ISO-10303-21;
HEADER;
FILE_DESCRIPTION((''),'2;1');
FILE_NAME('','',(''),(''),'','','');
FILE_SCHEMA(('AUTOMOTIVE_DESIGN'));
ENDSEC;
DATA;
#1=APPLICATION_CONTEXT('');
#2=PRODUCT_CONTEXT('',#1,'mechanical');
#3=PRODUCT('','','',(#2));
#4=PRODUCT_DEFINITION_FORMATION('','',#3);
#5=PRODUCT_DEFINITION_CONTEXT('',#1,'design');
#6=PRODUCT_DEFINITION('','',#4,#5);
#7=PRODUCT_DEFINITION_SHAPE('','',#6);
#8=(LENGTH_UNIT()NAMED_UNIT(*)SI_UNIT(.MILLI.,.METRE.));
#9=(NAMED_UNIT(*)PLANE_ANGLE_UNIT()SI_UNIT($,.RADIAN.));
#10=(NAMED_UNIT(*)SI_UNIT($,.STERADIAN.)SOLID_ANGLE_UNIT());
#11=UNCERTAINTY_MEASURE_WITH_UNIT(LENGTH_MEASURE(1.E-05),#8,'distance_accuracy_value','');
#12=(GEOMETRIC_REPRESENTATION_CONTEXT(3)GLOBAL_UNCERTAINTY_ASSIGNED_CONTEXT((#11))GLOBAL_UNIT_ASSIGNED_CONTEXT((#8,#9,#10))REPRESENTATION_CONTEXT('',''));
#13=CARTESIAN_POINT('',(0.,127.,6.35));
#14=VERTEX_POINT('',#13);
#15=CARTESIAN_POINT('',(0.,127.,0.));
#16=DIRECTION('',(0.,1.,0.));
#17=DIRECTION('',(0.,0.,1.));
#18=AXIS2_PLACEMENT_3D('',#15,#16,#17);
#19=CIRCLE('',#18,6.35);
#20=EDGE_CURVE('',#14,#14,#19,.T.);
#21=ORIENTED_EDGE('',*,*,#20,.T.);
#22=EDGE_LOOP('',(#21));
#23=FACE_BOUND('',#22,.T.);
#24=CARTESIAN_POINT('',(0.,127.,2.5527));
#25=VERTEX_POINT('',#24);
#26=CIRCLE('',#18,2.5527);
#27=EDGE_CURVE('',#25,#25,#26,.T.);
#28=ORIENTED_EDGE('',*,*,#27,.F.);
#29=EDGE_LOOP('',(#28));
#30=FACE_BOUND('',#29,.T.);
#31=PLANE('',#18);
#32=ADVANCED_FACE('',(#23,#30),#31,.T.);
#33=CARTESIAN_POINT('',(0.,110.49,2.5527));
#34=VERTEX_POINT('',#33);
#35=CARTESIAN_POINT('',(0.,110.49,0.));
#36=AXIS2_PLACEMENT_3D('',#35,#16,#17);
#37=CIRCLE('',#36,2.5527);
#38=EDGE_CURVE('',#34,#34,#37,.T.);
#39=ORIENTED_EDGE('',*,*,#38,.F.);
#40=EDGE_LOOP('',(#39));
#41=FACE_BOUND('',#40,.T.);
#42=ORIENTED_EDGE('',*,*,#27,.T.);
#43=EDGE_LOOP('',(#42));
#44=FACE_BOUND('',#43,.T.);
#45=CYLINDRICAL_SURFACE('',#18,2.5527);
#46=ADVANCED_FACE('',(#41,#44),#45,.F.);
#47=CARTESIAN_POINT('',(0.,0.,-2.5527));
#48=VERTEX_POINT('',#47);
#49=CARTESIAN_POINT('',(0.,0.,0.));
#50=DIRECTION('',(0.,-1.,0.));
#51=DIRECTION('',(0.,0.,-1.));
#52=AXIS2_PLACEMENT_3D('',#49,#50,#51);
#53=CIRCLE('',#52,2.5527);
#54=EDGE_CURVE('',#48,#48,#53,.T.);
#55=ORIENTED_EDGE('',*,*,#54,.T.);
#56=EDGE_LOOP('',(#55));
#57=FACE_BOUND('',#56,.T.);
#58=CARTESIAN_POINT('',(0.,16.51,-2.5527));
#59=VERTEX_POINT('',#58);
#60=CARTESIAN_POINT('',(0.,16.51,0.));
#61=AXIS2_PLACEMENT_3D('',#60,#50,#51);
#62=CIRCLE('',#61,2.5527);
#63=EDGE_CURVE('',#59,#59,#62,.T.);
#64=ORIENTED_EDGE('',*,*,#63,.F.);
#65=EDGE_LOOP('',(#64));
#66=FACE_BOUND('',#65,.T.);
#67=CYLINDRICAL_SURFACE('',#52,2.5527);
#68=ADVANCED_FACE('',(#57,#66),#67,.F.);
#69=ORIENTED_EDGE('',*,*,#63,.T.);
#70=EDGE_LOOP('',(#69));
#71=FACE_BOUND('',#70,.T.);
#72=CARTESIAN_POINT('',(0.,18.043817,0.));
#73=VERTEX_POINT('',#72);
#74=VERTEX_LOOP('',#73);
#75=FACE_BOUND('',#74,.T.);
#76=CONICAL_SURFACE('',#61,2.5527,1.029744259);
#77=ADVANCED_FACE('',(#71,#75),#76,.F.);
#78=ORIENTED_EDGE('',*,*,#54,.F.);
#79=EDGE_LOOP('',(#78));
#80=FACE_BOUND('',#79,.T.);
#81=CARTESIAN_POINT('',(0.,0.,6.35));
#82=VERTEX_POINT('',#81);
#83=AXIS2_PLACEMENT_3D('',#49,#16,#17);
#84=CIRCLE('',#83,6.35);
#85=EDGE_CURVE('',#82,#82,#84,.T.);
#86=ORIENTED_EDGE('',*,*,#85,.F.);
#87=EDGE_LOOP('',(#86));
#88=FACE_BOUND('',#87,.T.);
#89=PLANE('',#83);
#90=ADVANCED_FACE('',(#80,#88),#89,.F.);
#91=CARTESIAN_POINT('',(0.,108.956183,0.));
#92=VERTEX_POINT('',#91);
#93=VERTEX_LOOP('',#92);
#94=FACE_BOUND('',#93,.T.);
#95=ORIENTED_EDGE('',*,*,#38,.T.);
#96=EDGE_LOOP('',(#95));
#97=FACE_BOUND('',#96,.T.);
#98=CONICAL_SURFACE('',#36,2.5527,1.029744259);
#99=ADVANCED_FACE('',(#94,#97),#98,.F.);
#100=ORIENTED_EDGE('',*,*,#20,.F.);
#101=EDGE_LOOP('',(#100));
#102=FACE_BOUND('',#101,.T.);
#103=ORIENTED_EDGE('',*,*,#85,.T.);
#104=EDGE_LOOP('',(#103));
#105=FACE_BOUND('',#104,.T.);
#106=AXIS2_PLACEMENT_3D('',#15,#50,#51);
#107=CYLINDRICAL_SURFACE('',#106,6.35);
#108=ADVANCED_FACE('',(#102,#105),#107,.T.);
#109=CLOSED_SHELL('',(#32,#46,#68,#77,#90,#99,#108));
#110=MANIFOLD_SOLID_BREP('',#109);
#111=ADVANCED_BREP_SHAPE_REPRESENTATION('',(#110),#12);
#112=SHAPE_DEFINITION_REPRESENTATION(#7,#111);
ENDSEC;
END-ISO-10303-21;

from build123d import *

# Parameters (mm, degrees)
SKETCH1_R                   = 6.35
BOSS_EXTRUDE1_DEPTH         = 127
F_1_4_20_TAPPED_HOLE3_D     = 5.1054
F_1_4_20_TAPPED_HOLE3_DEPTH = 16.51
F_1_4_20_TAPPED_HOLE3_TIP   = 1.533816902
F_1_4_20_TAPPED_HOLE4_D     = 5.1054
F_1_4_20_TAPPED_HOLE4_DEPTH = 16.51
F_1_4_20_TAPPED_HOLE4_TIP   = 1.533816902


with BuildPart() as part:
    # Sketch1 → Boss-Extrude1 (new body)
    with BuildSketch(Plane(origin=(0, 0, 0), x_dir=(1, 0, 0), z_dir=(0, 1, 0))):
        with Locations(Location((0, 0, 0), (0, 0, 270))):
            Circle(SKETCH1_R)
    extrude(amount=BOSS_EXTRUDE1_DEPTH)

    # 1/4-20 Tapped Hole3
    with Locations(Plane(origin=(0, 127, 0), x_dir=(1, 0, 0), z_dir=(0, 1, 0))):
        with Locations((0, 0)):
            Hole(F_1_4_20_TAPPED_HOLE3_D / 2, depth=F_1_4_20_TAPPED_HOLE3_DEPTH)
            with Locations((0, 0, -(F_1_4_20_TAPPED_HOLE3_DEPTH + F_1_4_20_TAPPED_HOLE3_TIP / 2))):  # 118° drill point
                Cone(0, F_1_4_20_TAPPED_HOLE3_D / 2, F_1_4_20_TAPPED_HOLE3_TIP, mode=Mode.SUBTRACT)

    # 1/4-20 Tapped Hole4
    with Locations(Plane(origin=(0, 0, 0), x_dir=(-1, 0, 0), z_dir=(0, -1, 0))):
        with Locations((0, 0)):
            Hole(F_1_4_20_TAPPED_HOLE4_D / 2, depth=F_1_4_20_TAPPED_HOLE4_DEPTH)
            with Locations((0, 0, -(F_1_4_20_TAPPED_HOLE4_DEPTH + F_1_4_20_TAPPED_HOLE4_TIP / 2))):  # 118° drill point
                Cone(0, F_1_4_20_TAPPED_HOLE4_D / 2, F_1_4_20_TAPPED_HOLE4_TIP, mode=Mode.SUBTRACT)


solid = part.part
